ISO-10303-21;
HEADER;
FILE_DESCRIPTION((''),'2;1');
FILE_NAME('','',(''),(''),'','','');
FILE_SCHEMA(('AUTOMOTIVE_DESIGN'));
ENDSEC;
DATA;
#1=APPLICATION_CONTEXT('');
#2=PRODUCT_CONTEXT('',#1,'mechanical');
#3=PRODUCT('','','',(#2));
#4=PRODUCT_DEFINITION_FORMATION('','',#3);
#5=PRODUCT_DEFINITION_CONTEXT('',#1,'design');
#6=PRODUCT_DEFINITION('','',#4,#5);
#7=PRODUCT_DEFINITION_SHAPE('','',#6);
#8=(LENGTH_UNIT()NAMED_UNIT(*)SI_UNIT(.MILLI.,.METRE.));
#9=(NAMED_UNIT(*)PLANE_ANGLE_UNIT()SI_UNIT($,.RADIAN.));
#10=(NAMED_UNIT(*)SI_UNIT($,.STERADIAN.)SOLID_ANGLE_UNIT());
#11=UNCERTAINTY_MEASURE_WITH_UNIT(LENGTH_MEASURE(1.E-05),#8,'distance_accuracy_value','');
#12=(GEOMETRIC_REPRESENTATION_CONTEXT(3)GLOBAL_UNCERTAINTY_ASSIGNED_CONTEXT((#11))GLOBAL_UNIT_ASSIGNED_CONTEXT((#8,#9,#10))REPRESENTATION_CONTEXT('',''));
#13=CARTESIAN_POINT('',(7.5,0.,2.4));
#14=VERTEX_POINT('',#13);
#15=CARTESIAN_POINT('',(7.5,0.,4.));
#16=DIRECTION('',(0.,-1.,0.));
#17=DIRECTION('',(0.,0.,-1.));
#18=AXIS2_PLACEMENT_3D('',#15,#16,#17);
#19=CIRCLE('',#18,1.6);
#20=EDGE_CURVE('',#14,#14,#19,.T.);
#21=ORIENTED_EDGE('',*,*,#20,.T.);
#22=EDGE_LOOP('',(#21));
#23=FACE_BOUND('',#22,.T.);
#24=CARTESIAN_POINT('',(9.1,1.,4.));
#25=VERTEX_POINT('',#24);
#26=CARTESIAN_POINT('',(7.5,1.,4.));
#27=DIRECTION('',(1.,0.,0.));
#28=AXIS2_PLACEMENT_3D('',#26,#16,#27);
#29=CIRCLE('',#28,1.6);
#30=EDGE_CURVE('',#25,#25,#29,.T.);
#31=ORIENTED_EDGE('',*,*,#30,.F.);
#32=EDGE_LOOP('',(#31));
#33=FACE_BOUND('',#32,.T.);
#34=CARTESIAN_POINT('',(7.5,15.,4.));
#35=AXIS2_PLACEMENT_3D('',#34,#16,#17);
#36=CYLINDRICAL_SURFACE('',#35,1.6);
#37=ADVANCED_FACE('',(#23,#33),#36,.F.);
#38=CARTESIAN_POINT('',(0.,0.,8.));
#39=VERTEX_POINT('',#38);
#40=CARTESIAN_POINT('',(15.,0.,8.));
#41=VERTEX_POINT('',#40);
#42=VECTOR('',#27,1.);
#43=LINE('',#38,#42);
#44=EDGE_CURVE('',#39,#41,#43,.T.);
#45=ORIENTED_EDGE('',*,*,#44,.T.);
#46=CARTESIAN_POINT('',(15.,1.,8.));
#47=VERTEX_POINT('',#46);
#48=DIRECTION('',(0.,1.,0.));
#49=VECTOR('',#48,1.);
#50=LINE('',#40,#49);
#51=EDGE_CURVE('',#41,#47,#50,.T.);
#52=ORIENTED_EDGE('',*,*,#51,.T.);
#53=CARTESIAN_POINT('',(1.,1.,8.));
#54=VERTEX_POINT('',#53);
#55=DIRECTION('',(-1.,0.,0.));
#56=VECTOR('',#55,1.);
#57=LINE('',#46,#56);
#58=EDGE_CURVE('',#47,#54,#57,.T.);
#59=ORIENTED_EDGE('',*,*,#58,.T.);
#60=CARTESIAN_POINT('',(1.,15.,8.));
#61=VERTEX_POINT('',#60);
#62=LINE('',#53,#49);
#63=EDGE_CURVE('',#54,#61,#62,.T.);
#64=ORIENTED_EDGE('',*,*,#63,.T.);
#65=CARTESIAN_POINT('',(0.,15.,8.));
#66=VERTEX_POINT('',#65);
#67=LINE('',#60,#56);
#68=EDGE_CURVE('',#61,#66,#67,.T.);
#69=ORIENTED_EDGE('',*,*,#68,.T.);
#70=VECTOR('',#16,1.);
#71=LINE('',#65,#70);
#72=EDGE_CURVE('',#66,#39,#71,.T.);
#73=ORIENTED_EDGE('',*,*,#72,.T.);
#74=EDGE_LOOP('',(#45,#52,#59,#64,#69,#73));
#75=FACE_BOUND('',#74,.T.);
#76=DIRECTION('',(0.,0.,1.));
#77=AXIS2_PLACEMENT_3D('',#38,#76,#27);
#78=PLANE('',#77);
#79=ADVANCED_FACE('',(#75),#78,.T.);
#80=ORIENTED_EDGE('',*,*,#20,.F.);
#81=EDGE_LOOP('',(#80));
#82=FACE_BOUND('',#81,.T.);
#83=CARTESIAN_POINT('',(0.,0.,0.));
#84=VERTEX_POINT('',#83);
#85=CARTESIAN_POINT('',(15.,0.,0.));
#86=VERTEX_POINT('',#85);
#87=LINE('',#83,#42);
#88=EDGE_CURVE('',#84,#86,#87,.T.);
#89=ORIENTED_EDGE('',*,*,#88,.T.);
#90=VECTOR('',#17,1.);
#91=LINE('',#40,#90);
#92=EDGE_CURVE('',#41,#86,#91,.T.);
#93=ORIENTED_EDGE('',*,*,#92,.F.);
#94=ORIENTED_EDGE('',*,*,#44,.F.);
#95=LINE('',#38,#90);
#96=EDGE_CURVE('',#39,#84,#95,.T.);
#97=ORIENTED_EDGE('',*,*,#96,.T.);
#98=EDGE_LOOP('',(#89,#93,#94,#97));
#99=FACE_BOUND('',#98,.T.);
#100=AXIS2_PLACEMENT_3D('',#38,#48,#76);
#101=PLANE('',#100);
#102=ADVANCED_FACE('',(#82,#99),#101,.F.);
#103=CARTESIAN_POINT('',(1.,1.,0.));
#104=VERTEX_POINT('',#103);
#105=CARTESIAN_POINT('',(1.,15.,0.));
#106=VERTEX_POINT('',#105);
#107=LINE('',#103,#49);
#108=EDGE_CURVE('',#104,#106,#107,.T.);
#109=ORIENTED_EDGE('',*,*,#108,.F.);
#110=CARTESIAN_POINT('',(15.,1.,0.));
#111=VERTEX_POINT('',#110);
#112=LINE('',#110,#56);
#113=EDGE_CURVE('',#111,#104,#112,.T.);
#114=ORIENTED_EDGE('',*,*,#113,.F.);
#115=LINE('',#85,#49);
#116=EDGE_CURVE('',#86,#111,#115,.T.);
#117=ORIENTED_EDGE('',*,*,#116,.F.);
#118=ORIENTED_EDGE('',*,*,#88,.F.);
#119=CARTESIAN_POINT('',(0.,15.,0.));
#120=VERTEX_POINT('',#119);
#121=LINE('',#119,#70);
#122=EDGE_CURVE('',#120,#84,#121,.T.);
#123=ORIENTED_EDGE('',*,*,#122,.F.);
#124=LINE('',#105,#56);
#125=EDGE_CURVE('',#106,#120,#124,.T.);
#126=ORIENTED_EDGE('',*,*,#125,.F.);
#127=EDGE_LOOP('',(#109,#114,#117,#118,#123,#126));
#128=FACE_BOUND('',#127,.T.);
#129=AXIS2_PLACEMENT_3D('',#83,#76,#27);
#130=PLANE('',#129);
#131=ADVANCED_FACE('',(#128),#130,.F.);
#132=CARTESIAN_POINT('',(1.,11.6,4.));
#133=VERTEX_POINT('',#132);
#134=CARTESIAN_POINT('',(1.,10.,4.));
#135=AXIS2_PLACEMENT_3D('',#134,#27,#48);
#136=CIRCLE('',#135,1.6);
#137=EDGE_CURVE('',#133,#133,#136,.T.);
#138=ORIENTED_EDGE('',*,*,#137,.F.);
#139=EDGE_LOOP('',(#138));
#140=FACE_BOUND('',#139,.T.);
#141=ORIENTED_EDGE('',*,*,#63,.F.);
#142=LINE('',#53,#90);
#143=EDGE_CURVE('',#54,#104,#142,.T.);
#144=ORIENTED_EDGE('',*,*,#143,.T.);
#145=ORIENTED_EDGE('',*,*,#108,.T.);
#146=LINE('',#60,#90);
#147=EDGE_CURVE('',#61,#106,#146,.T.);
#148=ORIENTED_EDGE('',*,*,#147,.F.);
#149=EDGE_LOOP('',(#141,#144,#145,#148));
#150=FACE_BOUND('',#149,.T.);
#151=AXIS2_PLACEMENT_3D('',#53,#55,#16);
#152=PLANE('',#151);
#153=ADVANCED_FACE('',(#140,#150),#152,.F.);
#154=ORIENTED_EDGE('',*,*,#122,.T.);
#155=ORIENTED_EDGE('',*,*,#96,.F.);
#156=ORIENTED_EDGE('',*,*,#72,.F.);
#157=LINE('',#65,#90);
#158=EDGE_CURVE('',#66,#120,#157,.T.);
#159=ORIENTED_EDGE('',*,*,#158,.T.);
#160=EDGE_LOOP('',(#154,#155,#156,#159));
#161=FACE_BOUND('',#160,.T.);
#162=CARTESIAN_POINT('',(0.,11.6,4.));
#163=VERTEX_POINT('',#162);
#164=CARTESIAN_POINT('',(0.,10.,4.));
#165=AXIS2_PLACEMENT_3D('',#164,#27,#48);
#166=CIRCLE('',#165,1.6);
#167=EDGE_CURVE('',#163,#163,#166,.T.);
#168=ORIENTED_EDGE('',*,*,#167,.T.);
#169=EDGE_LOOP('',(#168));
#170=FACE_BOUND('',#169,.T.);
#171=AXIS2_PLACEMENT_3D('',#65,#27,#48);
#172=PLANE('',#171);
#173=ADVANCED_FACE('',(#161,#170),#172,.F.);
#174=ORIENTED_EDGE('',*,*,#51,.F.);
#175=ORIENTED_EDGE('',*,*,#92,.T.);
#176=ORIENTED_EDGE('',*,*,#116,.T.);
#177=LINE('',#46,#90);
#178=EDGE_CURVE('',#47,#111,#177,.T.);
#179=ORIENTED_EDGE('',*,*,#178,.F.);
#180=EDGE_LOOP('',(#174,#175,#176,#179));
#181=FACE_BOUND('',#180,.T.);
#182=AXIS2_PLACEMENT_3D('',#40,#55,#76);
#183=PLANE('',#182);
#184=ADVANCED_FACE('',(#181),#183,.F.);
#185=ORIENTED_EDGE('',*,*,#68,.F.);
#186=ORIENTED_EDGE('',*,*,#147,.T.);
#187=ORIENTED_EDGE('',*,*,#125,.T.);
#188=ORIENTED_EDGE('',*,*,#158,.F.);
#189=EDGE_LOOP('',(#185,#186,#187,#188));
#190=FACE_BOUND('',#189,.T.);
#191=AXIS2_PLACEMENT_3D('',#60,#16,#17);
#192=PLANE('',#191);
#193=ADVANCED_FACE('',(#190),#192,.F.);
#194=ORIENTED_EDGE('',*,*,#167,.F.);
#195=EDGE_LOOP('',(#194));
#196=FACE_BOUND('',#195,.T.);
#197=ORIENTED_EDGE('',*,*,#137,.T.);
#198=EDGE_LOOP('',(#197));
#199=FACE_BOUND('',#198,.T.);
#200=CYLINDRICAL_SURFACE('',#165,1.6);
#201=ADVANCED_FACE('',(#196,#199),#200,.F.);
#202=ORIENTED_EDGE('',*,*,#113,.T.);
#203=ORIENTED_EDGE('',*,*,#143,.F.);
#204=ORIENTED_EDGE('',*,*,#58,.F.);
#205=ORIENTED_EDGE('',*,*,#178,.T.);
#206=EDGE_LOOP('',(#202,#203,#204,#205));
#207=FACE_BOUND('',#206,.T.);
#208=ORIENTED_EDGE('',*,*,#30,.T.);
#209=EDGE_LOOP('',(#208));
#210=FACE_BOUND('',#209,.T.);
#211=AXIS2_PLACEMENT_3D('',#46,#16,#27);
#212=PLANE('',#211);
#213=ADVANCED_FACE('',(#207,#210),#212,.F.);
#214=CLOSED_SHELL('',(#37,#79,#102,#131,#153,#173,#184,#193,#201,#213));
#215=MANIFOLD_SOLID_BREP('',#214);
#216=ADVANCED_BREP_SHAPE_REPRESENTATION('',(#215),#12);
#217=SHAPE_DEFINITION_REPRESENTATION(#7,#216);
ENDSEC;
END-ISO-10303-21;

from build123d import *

# Parameters (mm, degrees)
EXTRUDE_1_DEPTH    = 8
SKETCH1_R          = 1.6
CUT_EXTRUDE1_DEPTH = 2
SKETCH_2_R         = 1.6
CUT_EXTRUDE2_DEPTH = 16


with BuildPart() as part:
    # Эскиз1 → Бобышка-Вытянуть1 (new body)
    with BuildSketch(Plane.XY):
        Polygon((0, 0), (15, 0), (15, 1), (1, 1), (1, 15), (0, 15), align=None)
    extrude(amount=EXTRUDE_1_DEPTH)

    # Sketch1 → Cut-Extrude1 (cut, through all)
    with BuildSketch(Plane(origin=(1, 0, 0), x_dir=(0, 0, -1), z_dir=(1, 0, 0))):
        with Locations((-4, 10)):
            Circle(SKETCH1_R)
    extrude(amount=-CUT_EXTRUDE1_DEPTH, mode=Mode.SUBTRACT)

    # Эскиз2 → Cut-Extrude2 (cut, through all)
    with BuildSketch(Plane.XZ):
        with Locations((7.5, 4)):
            Circle(SKETCH_2_R)
    extrude(amount=-CUT_EXTRUDE2_DEPTH, mode=Mode.SUBTRACT)


solid = part.part
